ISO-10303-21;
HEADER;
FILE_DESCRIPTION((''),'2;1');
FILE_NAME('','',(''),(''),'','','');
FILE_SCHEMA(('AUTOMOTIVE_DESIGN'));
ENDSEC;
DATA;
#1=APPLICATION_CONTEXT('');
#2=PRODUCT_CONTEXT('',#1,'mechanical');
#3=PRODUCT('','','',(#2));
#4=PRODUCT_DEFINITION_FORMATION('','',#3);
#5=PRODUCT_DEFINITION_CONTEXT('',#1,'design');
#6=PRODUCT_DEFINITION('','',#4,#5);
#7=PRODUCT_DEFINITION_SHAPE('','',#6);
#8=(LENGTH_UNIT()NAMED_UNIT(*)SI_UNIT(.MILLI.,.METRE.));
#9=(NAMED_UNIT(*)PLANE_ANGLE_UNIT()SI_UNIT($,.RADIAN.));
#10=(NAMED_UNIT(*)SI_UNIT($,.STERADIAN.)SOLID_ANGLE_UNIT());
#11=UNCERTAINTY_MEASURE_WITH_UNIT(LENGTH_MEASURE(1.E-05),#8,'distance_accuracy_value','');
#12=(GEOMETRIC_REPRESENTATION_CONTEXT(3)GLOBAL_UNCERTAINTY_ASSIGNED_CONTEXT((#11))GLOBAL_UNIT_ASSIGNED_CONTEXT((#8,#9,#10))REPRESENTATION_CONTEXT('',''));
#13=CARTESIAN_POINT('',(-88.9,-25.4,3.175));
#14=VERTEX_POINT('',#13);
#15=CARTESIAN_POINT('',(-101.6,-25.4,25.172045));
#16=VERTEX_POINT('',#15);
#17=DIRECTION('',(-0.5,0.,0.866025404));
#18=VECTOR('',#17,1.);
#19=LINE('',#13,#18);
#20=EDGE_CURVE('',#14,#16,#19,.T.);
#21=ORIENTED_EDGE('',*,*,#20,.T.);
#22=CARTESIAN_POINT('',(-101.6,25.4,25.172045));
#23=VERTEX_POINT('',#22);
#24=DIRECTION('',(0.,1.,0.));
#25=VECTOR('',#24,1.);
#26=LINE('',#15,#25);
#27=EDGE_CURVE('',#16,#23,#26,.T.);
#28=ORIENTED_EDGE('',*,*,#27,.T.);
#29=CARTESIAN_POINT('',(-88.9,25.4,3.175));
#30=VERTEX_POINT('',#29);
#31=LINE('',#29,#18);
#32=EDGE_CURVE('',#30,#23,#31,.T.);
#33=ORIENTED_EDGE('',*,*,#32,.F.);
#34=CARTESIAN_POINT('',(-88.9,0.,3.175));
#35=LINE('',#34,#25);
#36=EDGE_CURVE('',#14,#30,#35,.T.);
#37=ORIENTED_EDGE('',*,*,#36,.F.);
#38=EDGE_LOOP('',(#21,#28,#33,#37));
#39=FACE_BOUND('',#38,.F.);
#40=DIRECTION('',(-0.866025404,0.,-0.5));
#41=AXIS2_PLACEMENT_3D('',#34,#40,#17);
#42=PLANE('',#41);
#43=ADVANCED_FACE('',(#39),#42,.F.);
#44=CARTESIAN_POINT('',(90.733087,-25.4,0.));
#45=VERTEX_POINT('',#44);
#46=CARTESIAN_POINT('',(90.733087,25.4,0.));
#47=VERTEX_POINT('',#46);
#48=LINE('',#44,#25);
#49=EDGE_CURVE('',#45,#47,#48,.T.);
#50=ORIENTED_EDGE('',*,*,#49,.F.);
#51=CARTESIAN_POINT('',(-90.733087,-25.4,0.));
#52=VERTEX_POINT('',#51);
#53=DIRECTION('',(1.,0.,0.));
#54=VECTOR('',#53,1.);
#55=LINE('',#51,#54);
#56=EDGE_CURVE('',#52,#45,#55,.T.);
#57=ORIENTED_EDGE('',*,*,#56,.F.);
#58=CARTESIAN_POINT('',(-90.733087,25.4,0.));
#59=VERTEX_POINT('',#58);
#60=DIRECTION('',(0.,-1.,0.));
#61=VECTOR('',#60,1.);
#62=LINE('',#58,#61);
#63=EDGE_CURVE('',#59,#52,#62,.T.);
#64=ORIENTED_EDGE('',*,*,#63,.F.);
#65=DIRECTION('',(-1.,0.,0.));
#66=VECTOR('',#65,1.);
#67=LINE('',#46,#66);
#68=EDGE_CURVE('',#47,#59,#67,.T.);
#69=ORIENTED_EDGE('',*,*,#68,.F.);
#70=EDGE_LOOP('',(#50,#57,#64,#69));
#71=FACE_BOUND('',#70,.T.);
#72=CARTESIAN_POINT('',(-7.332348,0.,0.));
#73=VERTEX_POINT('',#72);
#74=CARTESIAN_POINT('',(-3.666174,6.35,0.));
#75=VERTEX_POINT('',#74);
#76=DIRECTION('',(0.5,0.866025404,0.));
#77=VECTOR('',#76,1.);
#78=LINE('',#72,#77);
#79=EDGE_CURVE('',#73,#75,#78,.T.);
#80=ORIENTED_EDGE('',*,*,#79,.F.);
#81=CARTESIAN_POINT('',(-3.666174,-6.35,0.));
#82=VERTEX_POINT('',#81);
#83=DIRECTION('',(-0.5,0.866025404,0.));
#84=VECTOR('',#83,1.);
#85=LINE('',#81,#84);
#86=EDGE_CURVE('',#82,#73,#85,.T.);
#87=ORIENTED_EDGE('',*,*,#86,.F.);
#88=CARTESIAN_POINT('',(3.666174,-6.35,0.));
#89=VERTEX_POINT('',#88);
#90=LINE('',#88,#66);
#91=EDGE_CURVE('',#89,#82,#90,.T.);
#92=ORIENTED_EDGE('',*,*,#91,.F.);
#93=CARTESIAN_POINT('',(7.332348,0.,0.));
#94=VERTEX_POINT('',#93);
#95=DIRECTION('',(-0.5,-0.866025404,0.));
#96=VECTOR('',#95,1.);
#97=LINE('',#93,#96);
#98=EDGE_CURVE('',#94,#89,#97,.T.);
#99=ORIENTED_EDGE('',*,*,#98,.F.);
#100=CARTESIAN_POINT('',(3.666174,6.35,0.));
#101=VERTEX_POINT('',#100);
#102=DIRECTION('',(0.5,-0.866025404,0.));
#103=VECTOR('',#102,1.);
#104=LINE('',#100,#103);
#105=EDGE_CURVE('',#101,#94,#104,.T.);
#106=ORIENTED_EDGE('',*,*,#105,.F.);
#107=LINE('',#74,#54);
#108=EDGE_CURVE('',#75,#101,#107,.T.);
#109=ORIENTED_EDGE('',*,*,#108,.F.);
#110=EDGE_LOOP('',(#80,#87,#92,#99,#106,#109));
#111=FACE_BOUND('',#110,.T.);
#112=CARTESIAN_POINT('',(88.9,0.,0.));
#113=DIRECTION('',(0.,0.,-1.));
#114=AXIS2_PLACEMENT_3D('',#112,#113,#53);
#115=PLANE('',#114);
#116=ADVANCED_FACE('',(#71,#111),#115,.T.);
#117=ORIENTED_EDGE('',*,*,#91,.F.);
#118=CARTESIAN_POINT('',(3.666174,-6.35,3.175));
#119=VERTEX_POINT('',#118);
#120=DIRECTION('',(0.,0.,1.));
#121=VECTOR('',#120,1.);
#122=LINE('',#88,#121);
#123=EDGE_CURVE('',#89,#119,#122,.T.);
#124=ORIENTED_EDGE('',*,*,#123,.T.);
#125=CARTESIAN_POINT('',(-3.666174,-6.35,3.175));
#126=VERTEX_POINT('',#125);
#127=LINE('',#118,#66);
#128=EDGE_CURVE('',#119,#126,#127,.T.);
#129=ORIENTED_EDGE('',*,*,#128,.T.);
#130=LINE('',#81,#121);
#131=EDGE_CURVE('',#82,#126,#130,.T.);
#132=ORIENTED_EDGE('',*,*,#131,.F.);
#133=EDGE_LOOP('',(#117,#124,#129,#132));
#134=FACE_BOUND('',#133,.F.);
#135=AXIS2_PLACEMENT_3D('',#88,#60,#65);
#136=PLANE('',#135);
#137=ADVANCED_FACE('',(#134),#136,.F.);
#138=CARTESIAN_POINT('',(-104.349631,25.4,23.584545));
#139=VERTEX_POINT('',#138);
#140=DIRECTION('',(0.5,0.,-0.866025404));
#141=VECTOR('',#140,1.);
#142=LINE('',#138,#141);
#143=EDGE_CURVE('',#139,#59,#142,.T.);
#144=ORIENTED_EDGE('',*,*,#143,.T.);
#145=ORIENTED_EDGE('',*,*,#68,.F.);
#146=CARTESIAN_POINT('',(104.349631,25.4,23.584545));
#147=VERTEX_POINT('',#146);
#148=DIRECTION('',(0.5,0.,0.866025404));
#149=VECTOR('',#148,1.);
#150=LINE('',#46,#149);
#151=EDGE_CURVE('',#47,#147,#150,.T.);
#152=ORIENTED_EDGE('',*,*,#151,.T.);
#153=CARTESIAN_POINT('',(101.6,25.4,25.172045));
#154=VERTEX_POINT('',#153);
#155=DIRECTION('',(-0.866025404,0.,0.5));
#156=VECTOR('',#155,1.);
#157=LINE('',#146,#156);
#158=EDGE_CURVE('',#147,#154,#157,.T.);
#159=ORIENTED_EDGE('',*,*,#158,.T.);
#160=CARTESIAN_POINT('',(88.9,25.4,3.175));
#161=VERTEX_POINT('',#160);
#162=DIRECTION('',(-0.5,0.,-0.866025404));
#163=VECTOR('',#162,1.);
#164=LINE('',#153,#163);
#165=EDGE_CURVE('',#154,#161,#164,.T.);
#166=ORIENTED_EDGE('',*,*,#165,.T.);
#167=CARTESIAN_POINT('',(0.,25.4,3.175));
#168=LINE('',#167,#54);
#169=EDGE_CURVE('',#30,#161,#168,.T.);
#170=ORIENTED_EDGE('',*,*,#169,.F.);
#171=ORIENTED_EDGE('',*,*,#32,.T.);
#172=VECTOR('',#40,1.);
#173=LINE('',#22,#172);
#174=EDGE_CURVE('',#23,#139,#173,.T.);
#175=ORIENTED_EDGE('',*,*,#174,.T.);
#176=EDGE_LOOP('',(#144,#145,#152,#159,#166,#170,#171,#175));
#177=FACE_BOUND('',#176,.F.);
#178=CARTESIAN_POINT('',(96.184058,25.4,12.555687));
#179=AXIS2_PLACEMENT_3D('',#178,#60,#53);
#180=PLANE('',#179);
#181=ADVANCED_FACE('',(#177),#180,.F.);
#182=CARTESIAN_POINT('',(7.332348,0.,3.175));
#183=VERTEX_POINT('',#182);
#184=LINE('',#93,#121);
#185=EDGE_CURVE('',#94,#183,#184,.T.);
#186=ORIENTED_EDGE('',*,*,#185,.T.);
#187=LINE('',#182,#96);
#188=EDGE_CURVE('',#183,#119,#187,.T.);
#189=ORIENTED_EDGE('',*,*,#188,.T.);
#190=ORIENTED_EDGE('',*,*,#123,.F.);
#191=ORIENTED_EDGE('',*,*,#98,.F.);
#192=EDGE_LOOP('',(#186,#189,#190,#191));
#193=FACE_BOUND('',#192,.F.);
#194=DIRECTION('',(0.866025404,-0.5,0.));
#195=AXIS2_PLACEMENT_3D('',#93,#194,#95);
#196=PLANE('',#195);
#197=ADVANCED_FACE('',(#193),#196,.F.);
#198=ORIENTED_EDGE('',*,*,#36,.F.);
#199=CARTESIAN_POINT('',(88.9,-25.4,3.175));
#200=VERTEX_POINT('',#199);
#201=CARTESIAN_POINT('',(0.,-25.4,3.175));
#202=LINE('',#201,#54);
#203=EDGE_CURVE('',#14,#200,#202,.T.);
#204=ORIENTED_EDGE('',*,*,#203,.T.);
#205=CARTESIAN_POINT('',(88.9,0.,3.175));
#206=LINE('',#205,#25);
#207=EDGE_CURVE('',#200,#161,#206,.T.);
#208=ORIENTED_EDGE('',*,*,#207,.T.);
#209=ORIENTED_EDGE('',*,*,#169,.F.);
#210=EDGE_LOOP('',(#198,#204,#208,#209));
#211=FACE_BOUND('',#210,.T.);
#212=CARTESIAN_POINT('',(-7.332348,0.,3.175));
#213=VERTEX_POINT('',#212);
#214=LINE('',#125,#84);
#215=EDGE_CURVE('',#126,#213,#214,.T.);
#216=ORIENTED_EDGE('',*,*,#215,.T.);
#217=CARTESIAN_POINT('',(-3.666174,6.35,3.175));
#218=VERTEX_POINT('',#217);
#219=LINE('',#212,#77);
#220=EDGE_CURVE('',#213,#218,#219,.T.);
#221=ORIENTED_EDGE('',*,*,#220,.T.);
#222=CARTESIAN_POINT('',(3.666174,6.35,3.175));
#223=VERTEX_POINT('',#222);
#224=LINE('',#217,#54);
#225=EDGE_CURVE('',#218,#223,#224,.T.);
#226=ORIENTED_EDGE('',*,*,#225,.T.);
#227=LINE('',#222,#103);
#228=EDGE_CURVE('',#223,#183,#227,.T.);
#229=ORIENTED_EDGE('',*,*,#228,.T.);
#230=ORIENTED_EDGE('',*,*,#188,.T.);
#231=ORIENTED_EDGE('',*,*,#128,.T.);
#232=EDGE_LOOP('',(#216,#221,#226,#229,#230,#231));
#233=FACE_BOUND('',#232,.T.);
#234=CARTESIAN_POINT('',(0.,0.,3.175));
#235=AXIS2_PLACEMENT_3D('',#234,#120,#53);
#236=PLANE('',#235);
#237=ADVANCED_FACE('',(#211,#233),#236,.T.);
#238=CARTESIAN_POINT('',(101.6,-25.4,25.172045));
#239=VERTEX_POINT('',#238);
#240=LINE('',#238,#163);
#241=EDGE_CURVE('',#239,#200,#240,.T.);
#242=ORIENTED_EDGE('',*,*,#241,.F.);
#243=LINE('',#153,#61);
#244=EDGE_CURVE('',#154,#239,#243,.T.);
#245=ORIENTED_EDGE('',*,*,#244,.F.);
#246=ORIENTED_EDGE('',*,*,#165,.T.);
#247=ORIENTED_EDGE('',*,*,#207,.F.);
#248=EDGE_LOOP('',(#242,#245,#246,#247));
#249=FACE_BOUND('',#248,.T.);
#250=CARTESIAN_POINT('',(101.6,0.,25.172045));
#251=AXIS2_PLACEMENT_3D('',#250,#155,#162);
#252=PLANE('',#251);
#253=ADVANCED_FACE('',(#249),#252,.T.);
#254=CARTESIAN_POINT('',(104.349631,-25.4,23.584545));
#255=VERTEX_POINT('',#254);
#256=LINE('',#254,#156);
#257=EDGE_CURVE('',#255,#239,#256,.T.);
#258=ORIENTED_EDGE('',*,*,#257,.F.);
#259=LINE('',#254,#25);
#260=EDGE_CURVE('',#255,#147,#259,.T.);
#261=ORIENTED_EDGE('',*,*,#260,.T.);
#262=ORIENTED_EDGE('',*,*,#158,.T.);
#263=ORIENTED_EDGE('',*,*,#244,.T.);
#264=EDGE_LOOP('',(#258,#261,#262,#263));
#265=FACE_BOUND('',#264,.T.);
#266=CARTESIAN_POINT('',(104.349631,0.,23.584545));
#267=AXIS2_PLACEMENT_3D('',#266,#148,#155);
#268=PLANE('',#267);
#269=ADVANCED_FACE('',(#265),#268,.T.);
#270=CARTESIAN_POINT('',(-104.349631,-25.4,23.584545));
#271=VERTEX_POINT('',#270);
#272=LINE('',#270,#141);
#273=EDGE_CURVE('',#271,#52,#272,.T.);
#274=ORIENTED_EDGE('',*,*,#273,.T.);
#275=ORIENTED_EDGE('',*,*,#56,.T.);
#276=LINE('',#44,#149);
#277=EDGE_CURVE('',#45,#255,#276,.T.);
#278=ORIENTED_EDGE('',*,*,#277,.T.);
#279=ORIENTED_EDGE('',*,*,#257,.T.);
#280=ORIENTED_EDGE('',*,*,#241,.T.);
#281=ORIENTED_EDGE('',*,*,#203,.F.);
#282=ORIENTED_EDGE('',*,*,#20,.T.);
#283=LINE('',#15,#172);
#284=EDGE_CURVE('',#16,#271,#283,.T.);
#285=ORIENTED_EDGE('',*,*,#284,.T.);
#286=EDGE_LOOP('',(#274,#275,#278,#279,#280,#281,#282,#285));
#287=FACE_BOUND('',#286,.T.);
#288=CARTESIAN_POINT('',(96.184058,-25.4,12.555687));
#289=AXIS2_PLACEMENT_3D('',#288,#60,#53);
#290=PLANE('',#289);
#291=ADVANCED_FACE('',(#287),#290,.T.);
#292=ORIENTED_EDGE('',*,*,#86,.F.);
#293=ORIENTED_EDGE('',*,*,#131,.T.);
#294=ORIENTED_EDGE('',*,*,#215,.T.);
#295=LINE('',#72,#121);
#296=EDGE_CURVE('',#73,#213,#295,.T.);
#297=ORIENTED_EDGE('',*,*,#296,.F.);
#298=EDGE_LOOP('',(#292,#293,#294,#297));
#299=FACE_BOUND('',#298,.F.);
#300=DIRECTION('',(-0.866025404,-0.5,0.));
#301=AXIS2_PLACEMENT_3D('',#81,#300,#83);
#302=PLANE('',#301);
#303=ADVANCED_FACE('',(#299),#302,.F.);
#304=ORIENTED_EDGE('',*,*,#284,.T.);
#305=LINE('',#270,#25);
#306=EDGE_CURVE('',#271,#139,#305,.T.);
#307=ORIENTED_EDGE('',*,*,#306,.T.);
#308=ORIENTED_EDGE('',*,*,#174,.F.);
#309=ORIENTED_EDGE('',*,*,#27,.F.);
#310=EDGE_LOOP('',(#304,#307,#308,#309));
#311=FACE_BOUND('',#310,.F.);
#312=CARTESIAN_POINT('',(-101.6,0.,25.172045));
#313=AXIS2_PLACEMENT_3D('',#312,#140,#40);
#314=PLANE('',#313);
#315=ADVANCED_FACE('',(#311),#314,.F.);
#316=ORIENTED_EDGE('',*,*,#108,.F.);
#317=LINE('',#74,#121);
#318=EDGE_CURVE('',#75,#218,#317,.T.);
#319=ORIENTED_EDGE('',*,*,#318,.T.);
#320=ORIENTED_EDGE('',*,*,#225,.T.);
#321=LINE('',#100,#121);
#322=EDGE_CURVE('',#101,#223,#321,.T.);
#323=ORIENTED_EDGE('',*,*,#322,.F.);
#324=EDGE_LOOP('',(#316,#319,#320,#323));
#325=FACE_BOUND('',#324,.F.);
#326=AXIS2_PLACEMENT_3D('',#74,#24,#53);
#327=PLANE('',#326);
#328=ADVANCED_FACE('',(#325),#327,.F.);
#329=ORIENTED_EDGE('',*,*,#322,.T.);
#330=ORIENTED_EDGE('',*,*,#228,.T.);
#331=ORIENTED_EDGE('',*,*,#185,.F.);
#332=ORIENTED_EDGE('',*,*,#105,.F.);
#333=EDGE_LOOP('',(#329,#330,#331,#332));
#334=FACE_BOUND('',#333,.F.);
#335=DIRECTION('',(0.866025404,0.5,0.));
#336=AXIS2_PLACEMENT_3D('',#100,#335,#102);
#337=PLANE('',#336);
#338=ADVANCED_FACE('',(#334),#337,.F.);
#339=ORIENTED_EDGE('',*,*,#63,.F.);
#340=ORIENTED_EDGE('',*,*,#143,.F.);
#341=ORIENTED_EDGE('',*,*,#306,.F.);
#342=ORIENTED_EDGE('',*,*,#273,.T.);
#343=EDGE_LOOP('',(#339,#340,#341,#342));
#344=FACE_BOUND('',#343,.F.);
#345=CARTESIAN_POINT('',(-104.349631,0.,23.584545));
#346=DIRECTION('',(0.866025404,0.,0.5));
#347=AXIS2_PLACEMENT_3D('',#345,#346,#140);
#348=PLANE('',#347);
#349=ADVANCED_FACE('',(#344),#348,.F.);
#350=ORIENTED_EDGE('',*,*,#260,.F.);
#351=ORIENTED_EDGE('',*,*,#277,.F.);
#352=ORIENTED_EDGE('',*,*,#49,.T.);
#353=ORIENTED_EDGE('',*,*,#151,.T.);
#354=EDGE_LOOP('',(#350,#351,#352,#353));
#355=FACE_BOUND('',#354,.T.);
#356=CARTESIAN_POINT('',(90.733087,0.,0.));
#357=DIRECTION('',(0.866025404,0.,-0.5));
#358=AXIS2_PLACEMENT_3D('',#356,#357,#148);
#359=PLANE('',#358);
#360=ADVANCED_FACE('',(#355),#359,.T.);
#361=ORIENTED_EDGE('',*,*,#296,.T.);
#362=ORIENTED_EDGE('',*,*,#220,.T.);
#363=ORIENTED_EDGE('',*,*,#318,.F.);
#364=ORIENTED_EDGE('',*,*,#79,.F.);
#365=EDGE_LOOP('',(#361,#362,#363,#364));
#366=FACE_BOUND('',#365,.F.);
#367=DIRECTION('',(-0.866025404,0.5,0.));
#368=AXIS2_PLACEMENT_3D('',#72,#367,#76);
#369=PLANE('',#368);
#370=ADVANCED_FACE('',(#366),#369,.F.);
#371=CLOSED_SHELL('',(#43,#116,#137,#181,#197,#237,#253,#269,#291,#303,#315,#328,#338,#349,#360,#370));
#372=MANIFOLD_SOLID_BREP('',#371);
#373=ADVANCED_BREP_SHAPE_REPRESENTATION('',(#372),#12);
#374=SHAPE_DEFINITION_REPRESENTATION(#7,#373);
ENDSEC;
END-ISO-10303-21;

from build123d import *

# Parameters (mm, degrees)
F0_W     = 177.8
F0_H     = 50.8
F1_DEPTH = 3.175
F3_DEPTH = 25.4


with BuildPart() as f1:
    # F0 (on Top) → F1 (new body)
    with BuildSketch(Plane.XY):
        Rectangle(F0_W, F0_H)
        Polygon((-3.6661742094, -6.35), (-7.3323484187, 0), (-3.6661742094, 6.35), (3.6661742094, 6.35), (7.3323484187, 0), (3.6661742094, -6.35), align=None, mode=Mode.SUBTRACT)
    extrude(amount=F1_DEPTH)

    # F2 (on Front) → F3 (join, symmetric)
    with BuildSketch(Plane.XZ):
        Polygon((-104.349630657, 23.5845452561), (-90.7330871047, 0), (-88.9, 0), (-88.9, 3.175), (-101.6, 25.1720452561), align=None)
        Polygon((104.349630657, 23.5845452561), (101.6, 25.1720452561), (88.9, 3.175), (88.9, 0), (90.7330871047, 0), align=None)
    extrude(amount=F3_DEPTH, both=True)


solid = f1.part
